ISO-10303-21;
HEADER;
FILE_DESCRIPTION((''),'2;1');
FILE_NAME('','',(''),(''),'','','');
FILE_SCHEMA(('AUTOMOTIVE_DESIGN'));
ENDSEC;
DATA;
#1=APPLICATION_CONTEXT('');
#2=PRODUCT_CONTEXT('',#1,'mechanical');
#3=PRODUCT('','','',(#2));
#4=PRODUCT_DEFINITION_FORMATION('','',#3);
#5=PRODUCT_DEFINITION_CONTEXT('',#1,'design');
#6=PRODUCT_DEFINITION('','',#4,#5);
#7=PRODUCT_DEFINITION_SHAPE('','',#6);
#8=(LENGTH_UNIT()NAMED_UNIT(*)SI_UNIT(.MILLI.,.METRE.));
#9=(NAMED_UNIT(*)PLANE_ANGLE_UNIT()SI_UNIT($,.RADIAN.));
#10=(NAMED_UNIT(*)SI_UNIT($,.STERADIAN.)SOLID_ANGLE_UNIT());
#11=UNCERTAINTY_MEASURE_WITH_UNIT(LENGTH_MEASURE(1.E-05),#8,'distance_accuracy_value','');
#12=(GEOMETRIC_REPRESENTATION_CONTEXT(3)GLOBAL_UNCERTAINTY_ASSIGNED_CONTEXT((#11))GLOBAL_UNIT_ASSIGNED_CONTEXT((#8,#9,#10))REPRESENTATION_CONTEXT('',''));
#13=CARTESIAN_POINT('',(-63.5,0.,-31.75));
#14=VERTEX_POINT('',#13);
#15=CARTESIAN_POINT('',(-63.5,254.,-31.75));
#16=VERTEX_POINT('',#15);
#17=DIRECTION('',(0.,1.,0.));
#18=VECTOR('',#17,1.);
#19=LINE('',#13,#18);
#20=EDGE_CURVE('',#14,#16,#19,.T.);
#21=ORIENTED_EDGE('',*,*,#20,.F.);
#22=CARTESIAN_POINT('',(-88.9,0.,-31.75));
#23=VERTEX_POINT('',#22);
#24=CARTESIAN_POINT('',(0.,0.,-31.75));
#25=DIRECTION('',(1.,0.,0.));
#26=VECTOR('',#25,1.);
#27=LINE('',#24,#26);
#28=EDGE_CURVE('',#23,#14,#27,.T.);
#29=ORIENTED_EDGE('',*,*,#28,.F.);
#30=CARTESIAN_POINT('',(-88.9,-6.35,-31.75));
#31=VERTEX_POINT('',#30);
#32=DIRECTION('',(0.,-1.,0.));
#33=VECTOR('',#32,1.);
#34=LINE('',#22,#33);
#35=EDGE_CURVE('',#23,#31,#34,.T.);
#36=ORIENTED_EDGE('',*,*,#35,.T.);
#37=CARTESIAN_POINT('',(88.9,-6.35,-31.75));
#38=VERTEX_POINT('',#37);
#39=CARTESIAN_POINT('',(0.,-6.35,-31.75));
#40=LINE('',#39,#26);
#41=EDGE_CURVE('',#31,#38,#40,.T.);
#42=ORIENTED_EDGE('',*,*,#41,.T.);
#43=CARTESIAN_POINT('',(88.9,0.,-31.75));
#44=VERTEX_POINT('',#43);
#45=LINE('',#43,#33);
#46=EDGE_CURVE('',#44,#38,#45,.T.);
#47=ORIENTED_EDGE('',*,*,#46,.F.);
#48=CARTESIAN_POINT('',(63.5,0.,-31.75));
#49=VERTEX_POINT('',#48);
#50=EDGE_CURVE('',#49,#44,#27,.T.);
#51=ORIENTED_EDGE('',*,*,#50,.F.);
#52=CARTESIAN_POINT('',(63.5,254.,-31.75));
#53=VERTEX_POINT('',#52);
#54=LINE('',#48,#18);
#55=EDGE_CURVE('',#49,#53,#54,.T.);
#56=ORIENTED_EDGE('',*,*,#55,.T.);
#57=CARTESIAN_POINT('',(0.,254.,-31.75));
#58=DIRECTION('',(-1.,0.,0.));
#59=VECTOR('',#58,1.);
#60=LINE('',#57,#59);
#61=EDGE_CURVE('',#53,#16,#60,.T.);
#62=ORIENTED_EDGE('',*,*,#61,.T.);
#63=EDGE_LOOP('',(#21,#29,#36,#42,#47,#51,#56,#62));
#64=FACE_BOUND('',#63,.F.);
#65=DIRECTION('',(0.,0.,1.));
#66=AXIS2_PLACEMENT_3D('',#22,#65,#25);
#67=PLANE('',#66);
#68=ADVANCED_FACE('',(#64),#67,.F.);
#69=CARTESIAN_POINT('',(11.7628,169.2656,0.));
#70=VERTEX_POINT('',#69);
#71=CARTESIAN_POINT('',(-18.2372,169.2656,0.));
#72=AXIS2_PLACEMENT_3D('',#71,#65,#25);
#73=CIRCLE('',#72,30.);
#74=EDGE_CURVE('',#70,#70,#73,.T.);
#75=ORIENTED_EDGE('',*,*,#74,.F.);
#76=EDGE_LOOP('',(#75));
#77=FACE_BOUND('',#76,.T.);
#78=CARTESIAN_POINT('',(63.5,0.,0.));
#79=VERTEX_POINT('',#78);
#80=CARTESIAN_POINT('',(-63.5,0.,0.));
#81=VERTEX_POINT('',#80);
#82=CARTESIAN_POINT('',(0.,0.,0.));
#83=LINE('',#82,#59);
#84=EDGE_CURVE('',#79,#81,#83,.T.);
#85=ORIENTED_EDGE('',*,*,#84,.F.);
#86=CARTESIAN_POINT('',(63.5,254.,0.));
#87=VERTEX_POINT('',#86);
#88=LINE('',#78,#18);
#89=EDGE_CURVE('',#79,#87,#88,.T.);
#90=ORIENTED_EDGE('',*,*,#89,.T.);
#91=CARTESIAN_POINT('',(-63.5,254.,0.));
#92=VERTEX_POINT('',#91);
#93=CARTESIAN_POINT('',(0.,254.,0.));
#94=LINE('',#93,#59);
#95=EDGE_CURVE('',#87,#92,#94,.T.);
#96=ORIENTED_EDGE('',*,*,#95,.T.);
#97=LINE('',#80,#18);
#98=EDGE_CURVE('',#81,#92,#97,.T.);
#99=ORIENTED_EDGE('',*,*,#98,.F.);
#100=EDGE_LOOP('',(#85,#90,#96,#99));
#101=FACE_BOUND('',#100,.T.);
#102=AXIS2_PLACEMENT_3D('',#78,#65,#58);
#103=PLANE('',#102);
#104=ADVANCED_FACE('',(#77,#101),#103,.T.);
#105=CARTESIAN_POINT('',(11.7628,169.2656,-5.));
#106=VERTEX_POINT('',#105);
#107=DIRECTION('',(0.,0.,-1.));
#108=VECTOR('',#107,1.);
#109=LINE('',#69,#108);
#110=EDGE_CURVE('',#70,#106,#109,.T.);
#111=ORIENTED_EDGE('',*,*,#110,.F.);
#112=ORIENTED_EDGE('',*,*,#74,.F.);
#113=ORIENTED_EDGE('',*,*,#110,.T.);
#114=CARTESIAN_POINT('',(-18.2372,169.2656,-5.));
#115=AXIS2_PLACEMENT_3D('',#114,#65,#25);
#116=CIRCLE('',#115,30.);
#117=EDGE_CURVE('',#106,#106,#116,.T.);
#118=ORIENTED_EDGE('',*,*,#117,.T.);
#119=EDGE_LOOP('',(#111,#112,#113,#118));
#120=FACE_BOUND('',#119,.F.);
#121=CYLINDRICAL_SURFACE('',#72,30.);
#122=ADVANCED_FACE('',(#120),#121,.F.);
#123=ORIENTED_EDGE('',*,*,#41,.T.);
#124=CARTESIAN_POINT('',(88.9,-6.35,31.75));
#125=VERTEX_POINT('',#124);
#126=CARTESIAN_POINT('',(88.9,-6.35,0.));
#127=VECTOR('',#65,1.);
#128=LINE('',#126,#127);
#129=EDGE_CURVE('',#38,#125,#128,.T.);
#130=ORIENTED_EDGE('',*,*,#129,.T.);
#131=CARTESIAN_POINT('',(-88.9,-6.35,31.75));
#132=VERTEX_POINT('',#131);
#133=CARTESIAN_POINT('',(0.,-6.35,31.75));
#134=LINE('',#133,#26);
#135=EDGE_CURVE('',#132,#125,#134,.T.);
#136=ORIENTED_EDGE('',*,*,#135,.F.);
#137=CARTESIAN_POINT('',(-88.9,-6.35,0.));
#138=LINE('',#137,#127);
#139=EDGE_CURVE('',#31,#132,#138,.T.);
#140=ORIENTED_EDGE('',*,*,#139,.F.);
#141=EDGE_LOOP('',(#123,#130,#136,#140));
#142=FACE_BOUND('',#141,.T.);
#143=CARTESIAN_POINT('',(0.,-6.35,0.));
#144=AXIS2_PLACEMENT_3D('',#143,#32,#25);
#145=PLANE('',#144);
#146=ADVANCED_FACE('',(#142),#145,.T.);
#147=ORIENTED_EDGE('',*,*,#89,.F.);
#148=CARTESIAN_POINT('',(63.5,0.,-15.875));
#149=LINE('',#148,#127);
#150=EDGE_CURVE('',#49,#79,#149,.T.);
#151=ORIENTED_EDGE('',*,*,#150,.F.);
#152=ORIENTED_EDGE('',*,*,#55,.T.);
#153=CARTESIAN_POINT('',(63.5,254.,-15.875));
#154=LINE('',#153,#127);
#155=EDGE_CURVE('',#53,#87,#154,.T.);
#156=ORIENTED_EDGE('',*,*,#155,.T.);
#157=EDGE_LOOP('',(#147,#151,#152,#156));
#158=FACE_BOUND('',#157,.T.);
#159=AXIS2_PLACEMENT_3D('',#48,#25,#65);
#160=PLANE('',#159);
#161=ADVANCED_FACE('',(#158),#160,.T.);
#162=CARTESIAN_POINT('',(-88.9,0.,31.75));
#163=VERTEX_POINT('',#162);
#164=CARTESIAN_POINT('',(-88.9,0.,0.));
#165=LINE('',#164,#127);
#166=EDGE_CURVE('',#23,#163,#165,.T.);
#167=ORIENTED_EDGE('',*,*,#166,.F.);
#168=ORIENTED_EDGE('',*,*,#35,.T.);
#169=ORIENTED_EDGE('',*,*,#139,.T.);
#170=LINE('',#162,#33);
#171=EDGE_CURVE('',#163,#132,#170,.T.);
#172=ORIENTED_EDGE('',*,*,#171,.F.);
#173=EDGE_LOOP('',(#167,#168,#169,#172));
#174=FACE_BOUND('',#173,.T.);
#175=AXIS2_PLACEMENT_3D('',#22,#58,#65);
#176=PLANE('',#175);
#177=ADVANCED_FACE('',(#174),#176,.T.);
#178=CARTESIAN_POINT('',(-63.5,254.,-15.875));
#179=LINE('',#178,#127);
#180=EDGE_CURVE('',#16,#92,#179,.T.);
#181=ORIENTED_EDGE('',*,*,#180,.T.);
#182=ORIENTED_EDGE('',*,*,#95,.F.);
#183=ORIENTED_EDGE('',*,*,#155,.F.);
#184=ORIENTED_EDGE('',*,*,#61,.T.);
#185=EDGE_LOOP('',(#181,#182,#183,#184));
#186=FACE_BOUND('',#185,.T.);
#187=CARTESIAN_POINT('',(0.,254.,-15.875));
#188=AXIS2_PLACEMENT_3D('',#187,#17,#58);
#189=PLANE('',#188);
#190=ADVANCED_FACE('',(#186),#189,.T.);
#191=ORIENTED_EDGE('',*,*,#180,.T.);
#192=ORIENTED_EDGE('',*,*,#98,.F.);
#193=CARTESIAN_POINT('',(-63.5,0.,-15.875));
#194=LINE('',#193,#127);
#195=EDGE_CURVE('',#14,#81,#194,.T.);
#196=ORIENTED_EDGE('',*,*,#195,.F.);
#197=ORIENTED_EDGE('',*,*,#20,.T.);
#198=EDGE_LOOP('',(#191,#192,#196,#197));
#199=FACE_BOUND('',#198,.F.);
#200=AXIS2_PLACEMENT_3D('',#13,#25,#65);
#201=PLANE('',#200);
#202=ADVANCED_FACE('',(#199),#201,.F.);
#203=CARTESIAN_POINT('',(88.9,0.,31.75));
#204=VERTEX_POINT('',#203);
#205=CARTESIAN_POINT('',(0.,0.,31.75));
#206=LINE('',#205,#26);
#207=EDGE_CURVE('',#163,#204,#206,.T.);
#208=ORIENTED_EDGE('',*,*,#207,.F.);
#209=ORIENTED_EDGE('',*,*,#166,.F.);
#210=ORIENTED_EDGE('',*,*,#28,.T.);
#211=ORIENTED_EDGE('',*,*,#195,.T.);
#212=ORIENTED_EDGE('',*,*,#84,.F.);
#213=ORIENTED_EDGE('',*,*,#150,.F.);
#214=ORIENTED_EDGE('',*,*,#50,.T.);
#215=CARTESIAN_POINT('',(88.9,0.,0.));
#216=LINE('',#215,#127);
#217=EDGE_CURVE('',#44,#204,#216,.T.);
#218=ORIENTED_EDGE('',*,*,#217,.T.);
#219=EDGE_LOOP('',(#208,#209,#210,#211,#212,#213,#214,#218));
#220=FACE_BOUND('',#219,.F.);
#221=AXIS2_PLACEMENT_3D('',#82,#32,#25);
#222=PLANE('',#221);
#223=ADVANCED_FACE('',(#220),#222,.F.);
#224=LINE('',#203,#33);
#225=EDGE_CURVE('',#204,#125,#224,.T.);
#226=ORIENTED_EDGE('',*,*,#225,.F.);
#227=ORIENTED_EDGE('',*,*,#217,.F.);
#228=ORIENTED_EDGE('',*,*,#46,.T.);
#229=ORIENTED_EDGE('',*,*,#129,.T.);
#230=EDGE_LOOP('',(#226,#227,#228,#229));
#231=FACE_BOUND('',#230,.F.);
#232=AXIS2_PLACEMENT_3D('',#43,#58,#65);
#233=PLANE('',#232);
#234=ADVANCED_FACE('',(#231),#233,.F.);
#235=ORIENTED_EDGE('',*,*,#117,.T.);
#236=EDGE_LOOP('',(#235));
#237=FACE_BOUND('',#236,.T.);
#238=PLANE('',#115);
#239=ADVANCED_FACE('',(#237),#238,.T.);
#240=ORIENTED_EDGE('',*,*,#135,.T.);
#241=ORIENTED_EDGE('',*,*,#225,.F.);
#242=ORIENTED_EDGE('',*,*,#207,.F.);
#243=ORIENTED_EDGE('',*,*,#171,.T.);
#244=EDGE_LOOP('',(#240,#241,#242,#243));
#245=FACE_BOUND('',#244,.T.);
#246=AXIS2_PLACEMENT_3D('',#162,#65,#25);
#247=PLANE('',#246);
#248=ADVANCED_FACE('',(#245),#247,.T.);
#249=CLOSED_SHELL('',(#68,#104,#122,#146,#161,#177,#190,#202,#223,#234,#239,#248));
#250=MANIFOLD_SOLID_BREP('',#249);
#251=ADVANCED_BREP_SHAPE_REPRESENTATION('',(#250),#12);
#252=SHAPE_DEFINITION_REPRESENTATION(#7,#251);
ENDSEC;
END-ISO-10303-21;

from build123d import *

# Parameters (mm, degrees)
F0_W     = 177.8
F0_H     = 63.5
F1_DEPTH = 6.35
F2_W     = 127
F2_H     = 31.75
F3_DEPTH = 254
F4_R     = 30
F5_DEPTH = 5


with BuildPart() as f1:
    # F0 (on Front) → F1 (new body)
    with BuildSketch(Plane.XZ):
        Rectangle(F0_W, F0_H)
    extrude(amount=F1_DEPTH)

    # F2 (on face) → F3 (join)
    with BuildSketch(Plane(origin=(0, 0, 0), x_dir=(-1, 0, 0), z_dir=(0, 1, 0))):
        with Locations((0, -15.875)):
            Rectangle(F2_W, F2_H)
    extrude(amount=F3_DEPTH)

    # F4 (on face) → F5 (cut)
    with BuildSketch(Plane.XY):
        with Locations((-18.2372, 169.2656)):
            Circle(F4_R)
    extrude(amount=-F5_DEPTH, mode=Mode.SUBTRACT)


solid = f1.part
